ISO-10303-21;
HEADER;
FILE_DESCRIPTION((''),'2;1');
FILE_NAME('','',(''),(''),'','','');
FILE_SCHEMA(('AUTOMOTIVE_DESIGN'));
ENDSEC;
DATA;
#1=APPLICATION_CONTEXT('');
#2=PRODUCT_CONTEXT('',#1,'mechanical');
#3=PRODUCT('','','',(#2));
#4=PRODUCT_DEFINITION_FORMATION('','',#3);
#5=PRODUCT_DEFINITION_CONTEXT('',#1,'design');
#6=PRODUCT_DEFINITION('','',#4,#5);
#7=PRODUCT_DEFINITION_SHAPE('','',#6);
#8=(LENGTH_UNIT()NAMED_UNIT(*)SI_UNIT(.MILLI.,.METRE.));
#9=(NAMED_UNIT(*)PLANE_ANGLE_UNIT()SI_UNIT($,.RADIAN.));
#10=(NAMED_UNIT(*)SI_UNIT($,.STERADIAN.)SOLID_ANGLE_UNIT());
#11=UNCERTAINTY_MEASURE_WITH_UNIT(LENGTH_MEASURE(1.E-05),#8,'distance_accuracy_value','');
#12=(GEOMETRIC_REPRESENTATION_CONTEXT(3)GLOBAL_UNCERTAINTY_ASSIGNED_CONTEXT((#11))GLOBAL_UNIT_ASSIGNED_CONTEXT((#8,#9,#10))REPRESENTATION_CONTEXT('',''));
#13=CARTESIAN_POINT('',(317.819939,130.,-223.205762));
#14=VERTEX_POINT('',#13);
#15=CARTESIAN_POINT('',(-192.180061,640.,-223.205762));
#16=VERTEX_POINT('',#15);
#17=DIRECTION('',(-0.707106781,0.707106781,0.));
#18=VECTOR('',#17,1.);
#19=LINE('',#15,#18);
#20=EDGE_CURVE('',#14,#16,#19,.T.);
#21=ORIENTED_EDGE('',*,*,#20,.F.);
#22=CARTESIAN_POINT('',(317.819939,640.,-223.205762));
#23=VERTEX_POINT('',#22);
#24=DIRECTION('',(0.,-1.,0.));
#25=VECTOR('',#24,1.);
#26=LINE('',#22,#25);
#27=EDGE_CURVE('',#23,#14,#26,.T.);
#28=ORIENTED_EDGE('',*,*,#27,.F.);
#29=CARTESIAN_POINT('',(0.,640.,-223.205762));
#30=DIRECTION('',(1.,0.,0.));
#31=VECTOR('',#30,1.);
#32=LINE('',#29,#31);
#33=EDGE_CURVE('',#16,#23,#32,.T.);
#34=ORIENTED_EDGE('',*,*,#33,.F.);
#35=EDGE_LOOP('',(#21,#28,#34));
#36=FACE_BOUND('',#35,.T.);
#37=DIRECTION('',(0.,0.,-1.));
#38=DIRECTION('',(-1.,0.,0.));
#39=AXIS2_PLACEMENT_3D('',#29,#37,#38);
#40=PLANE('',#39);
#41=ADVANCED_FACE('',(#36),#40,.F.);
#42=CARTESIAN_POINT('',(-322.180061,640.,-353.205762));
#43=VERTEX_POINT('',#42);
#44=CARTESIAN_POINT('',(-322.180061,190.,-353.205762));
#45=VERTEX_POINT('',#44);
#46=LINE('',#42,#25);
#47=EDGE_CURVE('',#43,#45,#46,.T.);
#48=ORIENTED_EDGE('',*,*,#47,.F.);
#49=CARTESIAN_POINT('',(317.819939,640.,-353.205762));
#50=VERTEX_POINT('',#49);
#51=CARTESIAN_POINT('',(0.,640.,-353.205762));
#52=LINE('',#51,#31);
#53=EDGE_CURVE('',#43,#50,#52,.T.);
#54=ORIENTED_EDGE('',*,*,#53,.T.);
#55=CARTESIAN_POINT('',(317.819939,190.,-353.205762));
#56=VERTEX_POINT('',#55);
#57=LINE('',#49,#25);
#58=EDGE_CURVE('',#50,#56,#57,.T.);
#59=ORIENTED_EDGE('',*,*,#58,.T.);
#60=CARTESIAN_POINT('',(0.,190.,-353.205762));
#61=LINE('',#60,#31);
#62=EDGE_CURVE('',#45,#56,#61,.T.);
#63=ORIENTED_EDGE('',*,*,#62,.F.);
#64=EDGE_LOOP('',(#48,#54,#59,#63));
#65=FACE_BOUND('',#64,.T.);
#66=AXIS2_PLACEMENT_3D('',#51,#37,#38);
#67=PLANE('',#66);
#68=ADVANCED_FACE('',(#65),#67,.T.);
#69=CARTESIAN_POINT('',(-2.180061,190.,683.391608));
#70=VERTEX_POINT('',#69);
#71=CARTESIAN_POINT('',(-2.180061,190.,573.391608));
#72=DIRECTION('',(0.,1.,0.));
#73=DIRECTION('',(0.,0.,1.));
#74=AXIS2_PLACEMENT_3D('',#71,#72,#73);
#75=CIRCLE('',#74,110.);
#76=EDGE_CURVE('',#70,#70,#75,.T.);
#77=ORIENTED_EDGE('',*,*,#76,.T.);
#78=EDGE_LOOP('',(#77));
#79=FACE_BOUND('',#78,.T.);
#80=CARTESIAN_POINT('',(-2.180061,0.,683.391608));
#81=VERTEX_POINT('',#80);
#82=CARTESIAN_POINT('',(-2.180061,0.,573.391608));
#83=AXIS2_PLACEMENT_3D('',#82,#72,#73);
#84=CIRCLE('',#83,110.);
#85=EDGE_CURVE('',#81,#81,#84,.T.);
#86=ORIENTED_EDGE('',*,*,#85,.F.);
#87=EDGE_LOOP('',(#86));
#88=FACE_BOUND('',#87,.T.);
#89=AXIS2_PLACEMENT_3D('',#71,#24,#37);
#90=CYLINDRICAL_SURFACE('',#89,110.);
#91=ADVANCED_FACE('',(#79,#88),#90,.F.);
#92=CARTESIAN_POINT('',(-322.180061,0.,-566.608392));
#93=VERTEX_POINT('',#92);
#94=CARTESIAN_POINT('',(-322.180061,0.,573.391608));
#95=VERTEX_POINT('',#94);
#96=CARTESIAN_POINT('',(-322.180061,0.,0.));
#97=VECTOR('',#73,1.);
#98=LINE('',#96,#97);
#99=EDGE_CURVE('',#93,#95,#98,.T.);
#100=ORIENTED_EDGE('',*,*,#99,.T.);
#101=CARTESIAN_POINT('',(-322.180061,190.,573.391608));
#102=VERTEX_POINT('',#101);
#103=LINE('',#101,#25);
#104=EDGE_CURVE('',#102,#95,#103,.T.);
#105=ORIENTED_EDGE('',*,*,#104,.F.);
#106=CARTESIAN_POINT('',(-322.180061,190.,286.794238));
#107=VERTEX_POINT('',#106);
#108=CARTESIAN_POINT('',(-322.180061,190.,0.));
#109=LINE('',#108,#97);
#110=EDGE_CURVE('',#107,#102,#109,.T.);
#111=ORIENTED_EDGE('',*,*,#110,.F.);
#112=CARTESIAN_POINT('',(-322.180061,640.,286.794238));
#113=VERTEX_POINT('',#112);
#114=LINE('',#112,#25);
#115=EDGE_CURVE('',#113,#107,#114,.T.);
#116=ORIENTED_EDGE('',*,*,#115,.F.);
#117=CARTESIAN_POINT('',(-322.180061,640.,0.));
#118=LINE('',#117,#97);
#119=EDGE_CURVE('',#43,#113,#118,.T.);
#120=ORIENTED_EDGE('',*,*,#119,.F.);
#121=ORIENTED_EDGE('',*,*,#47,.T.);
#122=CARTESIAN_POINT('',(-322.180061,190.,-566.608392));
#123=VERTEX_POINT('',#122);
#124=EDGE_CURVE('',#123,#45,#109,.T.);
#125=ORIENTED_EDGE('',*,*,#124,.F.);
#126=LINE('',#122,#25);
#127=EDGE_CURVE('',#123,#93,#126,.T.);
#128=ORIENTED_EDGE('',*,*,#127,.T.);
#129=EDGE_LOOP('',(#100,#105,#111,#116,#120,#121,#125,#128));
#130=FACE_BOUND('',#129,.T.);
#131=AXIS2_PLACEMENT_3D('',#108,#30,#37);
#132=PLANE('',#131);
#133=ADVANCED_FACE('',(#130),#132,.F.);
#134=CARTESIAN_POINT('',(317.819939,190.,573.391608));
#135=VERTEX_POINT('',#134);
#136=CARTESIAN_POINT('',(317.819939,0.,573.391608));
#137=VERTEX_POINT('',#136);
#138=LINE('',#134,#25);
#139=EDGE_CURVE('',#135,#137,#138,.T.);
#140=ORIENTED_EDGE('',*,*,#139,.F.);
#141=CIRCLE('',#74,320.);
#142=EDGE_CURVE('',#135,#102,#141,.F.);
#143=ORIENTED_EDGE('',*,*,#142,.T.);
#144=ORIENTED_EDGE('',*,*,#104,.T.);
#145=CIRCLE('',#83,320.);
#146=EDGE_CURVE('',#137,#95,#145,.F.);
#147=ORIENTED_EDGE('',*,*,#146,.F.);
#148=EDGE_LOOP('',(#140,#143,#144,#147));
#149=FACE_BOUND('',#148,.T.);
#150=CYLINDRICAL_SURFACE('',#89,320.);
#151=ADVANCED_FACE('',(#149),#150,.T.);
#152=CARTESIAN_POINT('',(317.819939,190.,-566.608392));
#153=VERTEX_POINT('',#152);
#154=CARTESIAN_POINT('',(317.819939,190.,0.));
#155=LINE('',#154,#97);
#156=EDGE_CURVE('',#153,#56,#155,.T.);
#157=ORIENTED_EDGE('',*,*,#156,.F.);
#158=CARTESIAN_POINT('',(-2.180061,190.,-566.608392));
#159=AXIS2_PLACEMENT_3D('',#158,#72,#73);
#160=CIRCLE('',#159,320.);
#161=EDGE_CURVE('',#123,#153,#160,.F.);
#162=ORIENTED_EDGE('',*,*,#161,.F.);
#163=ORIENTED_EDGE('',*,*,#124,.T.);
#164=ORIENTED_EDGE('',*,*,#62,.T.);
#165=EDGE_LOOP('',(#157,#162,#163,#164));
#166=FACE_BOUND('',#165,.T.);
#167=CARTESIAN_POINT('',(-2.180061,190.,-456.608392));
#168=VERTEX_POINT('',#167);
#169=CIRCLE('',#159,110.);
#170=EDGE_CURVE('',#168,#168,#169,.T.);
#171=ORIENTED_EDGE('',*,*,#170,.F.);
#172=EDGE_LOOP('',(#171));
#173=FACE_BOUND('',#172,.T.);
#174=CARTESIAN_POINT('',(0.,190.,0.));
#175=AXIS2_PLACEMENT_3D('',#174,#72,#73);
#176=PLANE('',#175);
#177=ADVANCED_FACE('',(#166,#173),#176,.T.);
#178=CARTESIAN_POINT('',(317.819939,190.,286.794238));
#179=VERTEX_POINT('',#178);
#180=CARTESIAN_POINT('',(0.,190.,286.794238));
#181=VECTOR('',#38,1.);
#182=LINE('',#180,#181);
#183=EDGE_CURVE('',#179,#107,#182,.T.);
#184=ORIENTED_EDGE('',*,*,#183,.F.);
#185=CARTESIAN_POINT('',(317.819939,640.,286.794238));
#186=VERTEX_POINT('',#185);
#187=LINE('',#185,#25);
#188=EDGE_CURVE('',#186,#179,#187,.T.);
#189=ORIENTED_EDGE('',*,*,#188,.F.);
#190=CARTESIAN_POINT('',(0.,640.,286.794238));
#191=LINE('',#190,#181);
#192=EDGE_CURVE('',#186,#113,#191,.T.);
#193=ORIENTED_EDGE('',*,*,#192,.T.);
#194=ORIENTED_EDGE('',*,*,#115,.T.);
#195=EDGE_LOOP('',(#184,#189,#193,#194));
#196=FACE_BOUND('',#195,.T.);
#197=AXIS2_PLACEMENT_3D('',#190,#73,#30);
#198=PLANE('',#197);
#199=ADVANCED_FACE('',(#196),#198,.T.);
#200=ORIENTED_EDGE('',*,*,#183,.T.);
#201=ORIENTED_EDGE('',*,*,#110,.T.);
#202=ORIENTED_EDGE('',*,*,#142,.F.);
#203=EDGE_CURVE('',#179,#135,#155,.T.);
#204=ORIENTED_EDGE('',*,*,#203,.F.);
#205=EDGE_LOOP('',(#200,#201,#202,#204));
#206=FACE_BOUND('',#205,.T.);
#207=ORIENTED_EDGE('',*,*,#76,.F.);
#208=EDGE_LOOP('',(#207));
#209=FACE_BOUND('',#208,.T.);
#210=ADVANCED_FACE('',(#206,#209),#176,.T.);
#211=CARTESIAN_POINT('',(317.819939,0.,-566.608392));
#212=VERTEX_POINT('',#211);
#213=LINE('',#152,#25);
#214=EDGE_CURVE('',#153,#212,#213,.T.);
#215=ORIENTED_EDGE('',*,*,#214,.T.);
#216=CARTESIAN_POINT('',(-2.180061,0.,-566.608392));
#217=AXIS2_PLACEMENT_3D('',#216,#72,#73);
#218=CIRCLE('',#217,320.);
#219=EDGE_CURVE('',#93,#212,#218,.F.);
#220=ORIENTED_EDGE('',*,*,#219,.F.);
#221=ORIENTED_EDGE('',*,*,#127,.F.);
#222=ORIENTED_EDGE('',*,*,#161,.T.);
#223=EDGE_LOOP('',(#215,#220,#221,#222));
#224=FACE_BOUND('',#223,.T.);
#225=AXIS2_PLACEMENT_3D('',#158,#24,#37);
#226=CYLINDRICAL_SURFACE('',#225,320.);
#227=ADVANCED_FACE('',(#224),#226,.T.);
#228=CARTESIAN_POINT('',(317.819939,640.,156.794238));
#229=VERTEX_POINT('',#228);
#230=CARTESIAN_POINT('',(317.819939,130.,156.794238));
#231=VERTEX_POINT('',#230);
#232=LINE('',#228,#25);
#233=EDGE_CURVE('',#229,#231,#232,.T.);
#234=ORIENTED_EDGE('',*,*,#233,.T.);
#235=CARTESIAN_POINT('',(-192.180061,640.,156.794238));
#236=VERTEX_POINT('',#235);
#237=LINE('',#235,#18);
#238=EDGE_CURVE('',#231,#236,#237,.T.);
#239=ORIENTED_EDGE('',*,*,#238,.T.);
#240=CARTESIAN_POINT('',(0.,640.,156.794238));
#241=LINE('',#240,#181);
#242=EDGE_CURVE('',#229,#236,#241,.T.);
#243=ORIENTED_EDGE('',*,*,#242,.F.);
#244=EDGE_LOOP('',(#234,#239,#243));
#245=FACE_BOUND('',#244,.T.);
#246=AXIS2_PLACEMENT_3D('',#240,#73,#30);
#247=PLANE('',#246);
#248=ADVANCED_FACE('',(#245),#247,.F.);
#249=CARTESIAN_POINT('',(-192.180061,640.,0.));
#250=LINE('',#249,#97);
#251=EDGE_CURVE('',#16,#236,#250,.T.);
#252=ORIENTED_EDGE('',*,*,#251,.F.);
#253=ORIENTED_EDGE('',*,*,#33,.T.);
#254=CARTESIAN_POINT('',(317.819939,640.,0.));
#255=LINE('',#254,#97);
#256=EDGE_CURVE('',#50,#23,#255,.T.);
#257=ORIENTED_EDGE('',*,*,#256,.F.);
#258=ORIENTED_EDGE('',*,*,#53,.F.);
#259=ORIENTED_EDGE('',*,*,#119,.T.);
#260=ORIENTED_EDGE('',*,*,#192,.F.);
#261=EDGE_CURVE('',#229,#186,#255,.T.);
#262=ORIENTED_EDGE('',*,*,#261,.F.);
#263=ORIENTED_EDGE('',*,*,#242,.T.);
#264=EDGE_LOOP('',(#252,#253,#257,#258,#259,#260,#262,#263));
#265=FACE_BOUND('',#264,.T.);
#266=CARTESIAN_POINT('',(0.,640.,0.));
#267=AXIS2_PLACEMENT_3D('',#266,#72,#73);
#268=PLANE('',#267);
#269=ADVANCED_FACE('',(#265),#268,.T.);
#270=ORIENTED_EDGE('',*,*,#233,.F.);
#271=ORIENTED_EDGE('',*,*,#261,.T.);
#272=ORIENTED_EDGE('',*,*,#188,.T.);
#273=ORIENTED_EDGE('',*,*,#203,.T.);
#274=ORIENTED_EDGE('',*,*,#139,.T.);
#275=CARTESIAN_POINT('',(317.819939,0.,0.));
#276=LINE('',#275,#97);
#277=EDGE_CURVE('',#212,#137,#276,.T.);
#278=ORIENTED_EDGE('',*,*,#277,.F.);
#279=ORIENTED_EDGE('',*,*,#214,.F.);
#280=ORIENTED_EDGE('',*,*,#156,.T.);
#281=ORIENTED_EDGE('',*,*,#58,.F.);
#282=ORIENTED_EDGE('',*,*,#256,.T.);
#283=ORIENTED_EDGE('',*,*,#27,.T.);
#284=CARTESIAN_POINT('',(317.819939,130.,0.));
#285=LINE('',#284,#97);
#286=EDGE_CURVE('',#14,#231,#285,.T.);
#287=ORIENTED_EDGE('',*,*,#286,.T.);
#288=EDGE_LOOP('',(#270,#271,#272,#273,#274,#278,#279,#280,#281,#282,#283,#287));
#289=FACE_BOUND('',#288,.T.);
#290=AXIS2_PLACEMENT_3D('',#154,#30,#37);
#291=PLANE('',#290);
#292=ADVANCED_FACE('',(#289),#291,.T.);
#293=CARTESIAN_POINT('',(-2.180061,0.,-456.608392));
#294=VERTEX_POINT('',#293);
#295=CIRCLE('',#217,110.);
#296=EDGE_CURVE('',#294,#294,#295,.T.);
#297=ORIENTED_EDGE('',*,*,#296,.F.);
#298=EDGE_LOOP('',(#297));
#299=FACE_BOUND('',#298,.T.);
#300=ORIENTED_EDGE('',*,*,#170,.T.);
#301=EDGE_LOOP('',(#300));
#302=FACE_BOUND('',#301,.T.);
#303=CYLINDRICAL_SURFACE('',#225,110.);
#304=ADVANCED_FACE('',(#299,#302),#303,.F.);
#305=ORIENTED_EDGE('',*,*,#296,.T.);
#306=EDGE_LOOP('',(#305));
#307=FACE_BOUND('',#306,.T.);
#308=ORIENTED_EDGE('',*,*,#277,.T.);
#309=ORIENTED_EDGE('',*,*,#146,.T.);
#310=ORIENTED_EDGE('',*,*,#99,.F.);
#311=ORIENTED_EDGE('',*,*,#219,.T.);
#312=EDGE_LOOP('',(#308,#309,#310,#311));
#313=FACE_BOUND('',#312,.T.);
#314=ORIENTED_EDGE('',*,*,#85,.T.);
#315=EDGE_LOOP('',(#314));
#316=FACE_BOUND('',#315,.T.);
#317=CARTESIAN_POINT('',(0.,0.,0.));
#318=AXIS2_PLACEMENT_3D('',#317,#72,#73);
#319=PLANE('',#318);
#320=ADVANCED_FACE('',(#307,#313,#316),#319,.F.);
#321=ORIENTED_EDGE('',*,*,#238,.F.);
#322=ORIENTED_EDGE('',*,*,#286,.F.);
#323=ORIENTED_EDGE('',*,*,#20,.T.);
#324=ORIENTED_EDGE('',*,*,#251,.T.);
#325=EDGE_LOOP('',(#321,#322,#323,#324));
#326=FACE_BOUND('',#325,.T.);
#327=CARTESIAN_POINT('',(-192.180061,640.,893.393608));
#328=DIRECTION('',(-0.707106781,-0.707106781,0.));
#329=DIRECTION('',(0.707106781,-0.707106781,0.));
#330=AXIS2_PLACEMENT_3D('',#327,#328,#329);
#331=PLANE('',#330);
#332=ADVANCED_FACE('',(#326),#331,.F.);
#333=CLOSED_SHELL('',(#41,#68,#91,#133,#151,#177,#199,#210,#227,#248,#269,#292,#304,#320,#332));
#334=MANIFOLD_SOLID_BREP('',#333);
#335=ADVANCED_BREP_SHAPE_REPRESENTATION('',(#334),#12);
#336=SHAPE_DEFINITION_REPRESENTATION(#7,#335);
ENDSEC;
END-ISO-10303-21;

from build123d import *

# Parameters (mm, degrees)
SKETCH2_R             = 110
BOSS_EXTRUDE8_DEPTH   = 190
BOSS_EXTRUDE8_2_DEPTH = 190
BOSS_EXTRUDE9_DEPTH   = 640
SKETCH2_14_W          = 510.000000001
SKETCH2_14_H          = 380
BOSS_EXTRUDE10_DEPTH  = 130
BOSS_EXTRUDE11_REACH  = 1328.721


with BuildPart() as part:
    # Sketch2 → Boss-Extrude8 (new body)
    with BuildSketch(Plane(origin=(0, 0, 0), x_dir=(1, 0, 0), z_dir=(0, 1, 0))):
        with BuildLine():
            ThreePointArc((317.819938748, 566.60839198), (-2.180061253, 886.60839198), (-322.180061253, 566.60839198))
            Line((-322.180061253, 566.60839198), (-322.180061253, 353.205761503))
            Line((-322.180061253, 353.205761503), (317.819938748, 353.205761503))
            Line((317.819938748, 353.205761503), (317.819938748, 566.60839198))
        make_face()
        with Locations((-2.180061253, 566.60839198)):
            Circle(SKETCH2_R, mode=Mode.SUBTRACT)
    extrude(amount=BOSS_EXTRUDE8_DEPTH)



with BuildPart() as body_2:
    # Sketch2 → Boss-Extrude8 2 (new body)
    with BuildSketch(Plane(origin=(0, 0, 0), x_dir=(1, 0, 0), z_dir=(0, 1, 0))):
        with BuildLine():
            Line((317.819938748, -286.794238497), (-322.180061253, -286.794238497))
            Line((-322.180061253, -286.794238497), (-322.180061253, -573.39160802))
            ThreePointArc((-322.180061253, -573.39160802), (-2.180061253, -893.39160802), (317.819938748, -573.39160802))
            Line((317.819938748, -573.39160802), (317.819938748, -286.794238497))
        make_face()
        with Locations((-2.180061253, -573.39160802)):
            Circle(SKETCH2_R, mode=Mode.SUBTRACT)
    extrude(amount=BOSS_EXTRUDE8_2_DEPTH)


with BuildPart() as part_1:
    add(part.part)

    add(body_2.part)  # Boss-Extrude9 merges body 2
    # Sketch2<13> → Boss-Extrude9 (add)
    with BuildSketch(Plane(origin=(0, 0, 0), x_dir=(1, 0, 0), z_dir=(0, 1, 0))):
        Polygon((317.819938748, 353.205761503), (-322.180061253, 353.205761503), (-322.180061253, -286.794238497), (317.819938748, -286.794238497), (317.819938748, -156.794238497), (-192.180061253, -156.794238497), (-192.180061253, 223.205761503), (317.819938748, 223.205761503), align=None)
    extrude(amount=BOSS_EXTRUDE9_DEPTH)

    # Sketch2<14> → Boss-Extrude10 (add)
    with BuildSketch(Plane(origin=(0, 0, 0), x_dir=(1, 0, 0), z_dir=(0, 1, 0))):
        with Locations((62.819938748, 33.205761503)):
            Rectangle(SKETCH2_14_W, SKETCH2_14_H)
    extrude(amount=BOSS_EXTRUDE10_DEPTH)

    # Sketch13 → Boss-Extrude11 (add, up to next)
    with BuildSketch(Plane.XY.offset(-223.205761503), mode=Mode.PRIVATE) as boss_extrude11_sk1:
        Polygon((-192.180061253, 640), (317.819938748, 130), (-192.180061253, 130), align=None)
    boss_extrude11_tool1 = extrude(boss_extrude11_sk1.sketch, amount=BOSS_EXTRUDE11_REACH, mode=Mode.PRIVATE) - part_1.part
    add(boss_extrude11_tool1.solids().sort_by_distance((-22.180061, 300, -223.205762))[0])


solid = part_1.part
